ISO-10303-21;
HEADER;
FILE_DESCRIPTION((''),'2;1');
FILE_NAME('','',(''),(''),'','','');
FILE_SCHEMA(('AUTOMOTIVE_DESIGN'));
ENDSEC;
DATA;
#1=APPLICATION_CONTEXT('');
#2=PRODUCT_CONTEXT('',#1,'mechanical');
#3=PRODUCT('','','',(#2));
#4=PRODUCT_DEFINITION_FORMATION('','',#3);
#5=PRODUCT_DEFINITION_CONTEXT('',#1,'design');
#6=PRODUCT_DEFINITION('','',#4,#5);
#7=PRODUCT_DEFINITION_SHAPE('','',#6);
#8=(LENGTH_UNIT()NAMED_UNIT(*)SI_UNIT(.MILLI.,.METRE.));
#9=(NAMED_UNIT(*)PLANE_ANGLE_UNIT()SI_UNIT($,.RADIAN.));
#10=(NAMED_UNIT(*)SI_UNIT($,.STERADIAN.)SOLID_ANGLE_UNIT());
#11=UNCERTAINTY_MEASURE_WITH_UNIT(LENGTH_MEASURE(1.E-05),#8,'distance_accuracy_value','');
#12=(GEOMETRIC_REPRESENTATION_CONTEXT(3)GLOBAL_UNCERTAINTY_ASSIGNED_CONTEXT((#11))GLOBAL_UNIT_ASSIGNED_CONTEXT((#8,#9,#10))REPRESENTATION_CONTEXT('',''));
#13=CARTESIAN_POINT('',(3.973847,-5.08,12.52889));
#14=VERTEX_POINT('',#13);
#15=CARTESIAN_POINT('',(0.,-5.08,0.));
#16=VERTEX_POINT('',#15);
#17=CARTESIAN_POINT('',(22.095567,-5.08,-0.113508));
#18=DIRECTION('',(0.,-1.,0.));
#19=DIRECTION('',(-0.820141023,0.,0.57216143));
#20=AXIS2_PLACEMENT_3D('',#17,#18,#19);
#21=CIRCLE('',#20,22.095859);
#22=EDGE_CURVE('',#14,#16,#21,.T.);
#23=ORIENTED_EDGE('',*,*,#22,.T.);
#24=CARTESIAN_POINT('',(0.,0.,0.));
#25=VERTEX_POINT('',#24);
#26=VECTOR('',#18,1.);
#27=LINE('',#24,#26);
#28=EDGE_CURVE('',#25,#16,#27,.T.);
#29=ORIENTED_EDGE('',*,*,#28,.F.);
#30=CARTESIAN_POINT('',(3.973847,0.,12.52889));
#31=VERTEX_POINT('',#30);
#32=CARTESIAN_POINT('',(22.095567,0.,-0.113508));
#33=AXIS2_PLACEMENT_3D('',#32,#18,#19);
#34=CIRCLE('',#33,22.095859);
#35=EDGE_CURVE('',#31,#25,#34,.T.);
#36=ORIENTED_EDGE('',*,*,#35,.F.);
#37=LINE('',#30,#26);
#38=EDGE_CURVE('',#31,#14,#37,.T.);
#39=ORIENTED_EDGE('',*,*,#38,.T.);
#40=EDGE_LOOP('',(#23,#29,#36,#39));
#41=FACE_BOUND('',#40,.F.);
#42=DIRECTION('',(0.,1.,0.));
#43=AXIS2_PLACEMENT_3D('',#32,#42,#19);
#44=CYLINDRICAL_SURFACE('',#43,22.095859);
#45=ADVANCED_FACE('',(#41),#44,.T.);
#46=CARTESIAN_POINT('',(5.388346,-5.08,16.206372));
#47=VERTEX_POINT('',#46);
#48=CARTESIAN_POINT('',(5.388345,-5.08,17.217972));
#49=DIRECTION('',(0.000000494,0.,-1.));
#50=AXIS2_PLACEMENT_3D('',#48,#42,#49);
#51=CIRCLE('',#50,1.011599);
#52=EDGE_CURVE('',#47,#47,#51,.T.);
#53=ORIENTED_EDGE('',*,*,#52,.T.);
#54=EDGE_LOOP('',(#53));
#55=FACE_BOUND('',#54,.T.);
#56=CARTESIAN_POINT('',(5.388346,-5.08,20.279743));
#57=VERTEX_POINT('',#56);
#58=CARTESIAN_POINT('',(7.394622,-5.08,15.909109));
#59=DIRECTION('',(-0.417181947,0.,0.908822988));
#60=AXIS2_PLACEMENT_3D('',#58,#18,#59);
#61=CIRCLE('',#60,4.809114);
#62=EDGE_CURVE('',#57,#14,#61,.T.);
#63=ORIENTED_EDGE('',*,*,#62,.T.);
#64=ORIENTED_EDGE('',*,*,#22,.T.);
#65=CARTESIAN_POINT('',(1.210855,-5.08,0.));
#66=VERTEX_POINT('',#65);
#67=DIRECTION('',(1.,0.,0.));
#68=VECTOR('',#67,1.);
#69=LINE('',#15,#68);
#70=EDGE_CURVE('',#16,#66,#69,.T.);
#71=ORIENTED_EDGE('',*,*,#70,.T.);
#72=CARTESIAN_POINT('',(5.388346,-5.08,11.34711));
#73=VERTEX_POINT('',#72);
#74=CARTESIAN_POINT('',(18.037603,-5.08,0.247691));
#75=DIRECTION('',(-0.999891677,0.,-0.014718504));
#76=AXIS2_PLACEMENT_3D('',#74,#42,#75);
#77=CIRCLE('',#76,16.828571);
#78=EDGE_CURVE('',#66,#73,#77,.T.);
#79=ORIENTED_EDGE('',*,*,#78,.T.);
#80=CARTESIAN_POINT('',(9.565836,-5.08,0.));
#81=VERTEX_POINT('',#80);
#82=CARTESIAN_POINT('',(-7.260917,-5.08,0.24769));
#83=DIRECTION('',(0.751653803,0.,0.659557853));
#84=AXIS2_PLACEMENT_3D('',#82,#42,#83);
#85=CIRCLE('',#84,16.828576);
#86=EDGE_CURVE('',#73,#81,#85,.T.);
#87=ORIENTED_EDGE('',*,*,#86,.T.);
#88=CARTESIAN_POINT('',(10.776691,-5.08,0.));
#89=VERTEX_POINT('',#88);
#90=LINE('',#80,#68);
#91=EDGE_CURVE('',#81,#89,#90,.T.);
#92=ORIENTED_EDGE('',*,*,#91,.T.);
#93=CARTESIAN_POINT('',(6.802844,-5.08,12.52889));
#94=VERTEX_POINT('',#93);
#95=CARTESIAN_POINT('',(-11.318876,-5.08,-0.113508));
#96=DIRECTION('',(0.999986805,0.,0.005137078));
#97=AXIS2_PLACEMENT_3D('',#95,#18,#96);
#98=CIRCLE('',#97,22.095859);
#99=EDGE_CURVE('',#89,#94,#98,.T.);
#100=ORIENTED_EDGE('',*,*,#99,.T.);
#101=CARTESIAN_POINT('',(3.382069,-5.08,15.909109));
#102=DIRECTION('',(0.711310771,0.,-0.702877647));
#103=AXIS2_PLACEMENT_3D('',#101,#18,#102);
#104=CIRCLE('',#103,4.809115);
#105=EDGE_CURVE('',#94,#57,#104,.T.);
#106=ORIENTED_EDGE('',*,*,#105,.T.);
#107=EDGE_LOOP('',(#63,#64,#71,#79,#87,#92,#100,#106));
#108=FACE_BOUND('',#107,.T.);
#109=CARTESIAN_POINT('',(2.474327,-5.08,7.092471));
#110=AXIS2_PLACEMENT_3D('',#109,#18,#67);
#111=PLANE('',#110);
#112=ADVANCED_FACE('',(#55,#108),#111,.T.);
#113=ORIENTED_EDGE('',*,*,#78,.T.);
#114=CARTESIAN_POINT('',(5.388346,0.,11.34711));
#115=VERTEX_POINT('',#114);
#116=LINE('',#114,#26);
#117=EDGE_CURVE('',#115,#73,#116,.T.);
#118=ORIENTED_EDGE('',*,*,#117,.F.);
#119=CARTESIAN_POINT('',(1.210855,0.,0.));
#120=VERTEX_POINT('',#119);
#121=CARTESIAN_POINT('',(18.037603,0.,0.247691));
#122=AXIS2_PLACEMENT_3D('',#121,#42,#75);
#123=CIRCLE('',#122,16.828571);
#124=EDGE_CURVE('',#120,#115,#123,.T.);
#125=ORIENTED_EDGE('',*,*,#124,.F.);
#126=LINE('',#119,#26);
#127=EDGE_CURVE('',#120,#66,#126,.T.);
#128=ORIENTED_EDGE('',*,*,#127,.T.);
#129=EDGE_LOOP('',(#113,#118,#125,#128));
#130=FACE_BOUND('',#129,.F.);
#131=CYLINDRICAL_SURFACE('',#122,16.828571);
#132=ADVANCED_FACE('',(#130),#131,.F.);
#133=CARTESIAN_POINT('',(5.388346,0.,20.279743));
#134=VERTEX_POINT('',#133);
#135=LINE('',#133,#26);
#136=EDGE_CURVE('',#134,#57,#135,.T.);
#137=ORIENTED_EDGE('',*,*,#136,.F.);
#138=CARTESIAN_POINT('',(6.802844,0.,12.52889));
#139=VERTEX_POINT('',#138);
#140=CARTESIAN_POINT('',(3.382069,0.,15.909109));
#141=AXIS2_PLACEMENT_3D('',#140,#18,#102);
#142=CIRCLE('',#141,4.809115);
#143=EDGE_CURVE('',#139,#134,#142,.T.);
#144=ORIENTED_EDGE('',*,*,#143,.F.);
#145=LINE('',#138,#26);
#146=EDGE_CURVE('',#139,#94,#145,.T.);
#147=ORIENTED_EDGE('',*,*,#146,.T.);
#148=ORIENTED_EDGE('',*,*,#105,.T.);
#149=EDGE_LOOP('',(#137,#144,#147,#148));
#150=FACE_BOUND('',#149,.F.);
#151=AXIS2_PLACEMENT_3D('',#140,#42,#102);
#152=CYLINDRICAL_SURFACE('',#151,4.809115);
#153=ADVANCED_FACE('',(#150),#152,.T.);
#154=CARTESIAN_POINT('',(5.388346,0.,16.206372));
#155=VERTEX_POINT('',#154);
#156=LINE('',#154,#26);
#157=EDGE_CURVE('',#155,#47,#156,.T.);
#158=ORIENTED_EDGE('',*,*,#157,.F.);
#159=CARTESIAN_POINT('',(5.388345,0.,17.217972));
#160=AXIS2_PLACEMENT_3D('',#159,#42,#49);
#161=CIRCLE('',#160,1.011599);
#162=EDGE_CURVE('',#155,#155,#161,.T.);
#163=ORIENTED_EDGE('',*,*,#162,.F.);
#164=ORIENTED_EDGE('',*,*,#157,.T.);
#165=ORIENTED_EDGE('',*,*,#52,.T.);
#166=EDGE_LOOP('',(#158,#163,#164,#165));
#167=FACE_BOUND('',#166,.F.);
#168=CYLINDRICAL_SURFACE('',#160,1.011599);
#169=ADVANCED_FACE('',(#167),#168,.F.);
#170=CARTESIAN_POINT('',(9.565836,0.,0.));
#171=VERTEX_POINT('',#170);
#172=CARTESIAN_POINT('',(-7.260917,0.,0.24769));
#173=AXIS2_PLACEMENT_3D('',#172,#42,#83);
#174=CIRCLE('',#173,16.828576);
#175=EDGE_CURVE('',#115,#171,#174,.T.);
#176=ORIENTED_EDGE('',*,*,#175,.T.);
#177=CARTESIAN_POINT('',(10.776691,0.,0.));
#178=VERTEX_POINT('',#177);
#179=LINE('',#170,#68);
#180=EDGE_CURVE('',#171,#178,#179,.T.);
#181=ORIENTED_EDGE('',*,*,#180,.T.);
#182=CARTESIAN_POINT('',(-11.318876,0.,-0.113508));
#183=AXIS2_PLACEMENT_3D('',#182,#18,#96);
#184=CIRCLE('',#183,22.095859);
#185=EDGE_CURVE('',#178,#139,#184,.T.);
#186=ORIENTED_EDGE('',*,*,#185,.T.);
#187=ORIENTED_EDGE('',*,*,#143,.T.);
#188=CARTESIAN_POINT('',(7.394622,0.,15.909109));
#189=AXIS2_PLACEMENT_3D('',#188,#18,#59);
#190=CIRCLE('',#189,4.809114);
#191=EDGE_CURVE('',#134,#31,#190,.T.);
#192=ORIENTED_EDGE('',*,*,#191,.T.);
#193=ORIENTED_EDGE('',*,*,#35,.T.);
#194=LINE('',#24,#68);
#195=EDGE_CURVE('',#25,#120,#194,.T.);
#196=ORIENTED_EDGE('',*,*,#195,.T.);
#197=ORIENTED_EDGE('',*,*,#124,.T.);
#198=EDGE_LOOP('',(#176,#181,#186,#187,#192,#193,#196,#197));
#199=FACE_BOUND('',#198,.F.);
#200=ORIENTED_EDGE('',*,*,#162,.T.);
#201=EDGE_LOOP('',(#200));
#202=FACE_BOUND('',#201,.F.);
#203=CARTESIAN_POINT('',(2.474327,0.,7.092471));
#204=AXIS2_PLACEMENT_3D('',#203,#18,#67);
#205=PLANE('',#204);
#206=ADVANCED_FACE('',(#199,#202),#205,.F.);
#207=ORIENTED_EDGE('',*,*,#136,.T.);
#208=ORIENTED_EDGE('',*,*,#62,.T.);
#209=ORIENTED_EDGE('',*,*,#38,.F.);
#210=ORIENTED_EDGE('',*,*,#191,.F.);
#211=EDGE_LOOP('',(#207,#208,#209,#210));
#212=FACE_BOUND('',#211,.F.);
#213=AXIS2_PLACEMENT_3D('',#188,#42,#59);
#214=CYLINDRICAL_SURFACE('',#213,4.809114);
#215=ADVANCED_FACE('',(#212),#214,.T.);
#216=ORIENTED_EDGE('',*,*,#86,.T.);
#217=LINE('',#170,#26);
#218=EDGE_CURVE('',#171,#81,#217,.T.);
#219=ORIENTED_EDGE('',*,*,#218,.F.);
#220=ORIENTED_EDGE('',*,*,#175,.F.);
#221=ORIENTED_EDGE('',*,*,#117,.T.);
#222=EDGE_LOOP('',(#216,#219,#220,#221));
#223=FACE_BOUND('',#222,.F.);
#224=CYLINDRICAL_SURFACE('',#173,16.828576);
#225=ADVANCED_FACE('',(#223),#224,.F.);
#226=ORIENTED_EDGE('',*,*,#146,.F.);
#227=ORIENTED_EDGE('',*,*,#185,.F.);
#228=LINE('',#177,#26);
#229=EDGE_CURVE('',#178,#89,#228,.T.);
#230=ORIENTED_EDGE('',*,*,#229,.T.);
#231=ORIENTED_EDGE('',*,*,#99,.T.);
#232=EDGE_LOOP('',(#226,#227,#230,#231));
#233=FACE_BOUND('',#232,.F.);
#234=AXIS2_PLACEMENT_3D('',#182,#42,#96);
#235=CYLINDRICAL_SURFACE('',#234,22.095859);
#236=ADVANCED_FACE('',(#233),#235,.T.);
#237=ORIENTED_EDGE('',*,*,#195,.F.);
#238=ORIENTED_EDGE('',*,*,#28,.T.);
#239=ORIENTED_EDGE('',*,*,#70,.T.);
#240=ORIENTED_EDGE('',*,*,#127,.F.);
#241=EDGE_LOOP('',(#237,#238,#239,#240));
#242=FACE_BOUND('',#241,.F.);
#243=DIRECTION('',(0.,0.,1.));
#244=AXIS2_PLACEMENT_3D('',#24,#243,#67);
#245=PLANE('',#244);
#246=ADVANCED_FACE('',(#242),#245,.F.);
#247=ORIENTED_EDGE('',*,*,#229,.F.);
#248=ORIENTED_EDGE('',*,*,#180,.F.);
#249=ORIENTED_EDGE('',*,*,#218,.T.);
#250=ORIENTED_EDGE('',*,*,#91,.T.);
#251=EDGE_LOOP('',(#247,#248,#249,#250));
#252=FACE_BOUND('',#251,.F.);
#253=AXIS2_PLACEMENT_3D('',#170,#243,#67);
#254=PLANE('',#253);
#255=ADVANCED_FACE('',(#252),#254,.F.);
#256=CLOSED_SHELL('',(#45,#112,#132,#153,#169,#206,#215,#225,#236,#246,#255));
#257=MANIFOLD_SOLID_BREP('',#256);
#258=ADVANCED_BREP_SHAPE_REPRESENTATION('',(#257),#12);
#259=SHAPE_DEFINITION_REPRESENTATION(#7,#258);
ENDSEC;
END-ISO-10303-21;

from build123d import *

# Parameters (mm, degrees)
F1_DEPTH = 5.08


with BuildPart() as f1:
    # F0 (on Front) → F1 (new body)
    with BuildSketch(Plane.XZ):
        with BuildLine():
            Line((5.388346, 11.34711), (5.388346, 14.346635))
            ThreePointArc((5.388346, 14.346635), (4.657395, 13.456206), (3.973847, 12.52889))
            ThreePointArc((3.973847, 12.52889), (1.033734, 6.566773), (0, 0))
            Line((0, 0), (1.210855, 0))
            ThreePointArc((1.210855, 0), (2.245265, 6.061714), (5.388346, 11.34711))
        make_face()
        with BuildLine():
            ThreePointArc((6.802844, 12.52889), (6.119296, 13.456206), (5.388346, 14.346635))
            Line((5.388346, 14.346635), (5.388346, 11.34711))
            ThreePointArc((5.388346, 11.34711), (8.531426, 6.061714), (9.565836, 0))
            Line((9.565836, 0), (10.776691, 0))
            ThreePointArc((10.776691, 0), (9.742957, 6.566773), (6.802844, 12.52889))
        make_face()
        with BuildLine():
            Line((5.388346, 16.206372), (5.388346, 14.346635))
            ThreePointArc((5.388346, 14.346635), (6.119296, 13.456206), (6.802844, 12.52889))
            ThreePointArc((6.802844, 12.52889), (8.113047, 16.772493), (5.388346, 20.279743))
            Line((5.388346, 20.279743), (5.388346, 18.229571))
            ThreePointArc((5.388346, 18.229571), (6.399945, 17.217972), (5.388346, 16.206372))
        make_face()
        with BuildLine():
            ThreePointArc((3.973847, 12.52889), (4.657395, 13.456206), (5.388346, 14.346635))
            Line((5.388346, 14.346635), (5.388346, 16.206372))
            ThreePointArc((5.388346, 16.206372), (4.376746, 17.217972), (5.388346, 18.229571))
            Line((5.388346, 18.229571), (5.388346, 20.279743))
            ThreePointArc((5.388346, 20.279743), (2.663644, 16.772493), (3.973847, 12.52889))
        make_face()
    extrude(amount=F1_DEPTH)


solid = f1.part
